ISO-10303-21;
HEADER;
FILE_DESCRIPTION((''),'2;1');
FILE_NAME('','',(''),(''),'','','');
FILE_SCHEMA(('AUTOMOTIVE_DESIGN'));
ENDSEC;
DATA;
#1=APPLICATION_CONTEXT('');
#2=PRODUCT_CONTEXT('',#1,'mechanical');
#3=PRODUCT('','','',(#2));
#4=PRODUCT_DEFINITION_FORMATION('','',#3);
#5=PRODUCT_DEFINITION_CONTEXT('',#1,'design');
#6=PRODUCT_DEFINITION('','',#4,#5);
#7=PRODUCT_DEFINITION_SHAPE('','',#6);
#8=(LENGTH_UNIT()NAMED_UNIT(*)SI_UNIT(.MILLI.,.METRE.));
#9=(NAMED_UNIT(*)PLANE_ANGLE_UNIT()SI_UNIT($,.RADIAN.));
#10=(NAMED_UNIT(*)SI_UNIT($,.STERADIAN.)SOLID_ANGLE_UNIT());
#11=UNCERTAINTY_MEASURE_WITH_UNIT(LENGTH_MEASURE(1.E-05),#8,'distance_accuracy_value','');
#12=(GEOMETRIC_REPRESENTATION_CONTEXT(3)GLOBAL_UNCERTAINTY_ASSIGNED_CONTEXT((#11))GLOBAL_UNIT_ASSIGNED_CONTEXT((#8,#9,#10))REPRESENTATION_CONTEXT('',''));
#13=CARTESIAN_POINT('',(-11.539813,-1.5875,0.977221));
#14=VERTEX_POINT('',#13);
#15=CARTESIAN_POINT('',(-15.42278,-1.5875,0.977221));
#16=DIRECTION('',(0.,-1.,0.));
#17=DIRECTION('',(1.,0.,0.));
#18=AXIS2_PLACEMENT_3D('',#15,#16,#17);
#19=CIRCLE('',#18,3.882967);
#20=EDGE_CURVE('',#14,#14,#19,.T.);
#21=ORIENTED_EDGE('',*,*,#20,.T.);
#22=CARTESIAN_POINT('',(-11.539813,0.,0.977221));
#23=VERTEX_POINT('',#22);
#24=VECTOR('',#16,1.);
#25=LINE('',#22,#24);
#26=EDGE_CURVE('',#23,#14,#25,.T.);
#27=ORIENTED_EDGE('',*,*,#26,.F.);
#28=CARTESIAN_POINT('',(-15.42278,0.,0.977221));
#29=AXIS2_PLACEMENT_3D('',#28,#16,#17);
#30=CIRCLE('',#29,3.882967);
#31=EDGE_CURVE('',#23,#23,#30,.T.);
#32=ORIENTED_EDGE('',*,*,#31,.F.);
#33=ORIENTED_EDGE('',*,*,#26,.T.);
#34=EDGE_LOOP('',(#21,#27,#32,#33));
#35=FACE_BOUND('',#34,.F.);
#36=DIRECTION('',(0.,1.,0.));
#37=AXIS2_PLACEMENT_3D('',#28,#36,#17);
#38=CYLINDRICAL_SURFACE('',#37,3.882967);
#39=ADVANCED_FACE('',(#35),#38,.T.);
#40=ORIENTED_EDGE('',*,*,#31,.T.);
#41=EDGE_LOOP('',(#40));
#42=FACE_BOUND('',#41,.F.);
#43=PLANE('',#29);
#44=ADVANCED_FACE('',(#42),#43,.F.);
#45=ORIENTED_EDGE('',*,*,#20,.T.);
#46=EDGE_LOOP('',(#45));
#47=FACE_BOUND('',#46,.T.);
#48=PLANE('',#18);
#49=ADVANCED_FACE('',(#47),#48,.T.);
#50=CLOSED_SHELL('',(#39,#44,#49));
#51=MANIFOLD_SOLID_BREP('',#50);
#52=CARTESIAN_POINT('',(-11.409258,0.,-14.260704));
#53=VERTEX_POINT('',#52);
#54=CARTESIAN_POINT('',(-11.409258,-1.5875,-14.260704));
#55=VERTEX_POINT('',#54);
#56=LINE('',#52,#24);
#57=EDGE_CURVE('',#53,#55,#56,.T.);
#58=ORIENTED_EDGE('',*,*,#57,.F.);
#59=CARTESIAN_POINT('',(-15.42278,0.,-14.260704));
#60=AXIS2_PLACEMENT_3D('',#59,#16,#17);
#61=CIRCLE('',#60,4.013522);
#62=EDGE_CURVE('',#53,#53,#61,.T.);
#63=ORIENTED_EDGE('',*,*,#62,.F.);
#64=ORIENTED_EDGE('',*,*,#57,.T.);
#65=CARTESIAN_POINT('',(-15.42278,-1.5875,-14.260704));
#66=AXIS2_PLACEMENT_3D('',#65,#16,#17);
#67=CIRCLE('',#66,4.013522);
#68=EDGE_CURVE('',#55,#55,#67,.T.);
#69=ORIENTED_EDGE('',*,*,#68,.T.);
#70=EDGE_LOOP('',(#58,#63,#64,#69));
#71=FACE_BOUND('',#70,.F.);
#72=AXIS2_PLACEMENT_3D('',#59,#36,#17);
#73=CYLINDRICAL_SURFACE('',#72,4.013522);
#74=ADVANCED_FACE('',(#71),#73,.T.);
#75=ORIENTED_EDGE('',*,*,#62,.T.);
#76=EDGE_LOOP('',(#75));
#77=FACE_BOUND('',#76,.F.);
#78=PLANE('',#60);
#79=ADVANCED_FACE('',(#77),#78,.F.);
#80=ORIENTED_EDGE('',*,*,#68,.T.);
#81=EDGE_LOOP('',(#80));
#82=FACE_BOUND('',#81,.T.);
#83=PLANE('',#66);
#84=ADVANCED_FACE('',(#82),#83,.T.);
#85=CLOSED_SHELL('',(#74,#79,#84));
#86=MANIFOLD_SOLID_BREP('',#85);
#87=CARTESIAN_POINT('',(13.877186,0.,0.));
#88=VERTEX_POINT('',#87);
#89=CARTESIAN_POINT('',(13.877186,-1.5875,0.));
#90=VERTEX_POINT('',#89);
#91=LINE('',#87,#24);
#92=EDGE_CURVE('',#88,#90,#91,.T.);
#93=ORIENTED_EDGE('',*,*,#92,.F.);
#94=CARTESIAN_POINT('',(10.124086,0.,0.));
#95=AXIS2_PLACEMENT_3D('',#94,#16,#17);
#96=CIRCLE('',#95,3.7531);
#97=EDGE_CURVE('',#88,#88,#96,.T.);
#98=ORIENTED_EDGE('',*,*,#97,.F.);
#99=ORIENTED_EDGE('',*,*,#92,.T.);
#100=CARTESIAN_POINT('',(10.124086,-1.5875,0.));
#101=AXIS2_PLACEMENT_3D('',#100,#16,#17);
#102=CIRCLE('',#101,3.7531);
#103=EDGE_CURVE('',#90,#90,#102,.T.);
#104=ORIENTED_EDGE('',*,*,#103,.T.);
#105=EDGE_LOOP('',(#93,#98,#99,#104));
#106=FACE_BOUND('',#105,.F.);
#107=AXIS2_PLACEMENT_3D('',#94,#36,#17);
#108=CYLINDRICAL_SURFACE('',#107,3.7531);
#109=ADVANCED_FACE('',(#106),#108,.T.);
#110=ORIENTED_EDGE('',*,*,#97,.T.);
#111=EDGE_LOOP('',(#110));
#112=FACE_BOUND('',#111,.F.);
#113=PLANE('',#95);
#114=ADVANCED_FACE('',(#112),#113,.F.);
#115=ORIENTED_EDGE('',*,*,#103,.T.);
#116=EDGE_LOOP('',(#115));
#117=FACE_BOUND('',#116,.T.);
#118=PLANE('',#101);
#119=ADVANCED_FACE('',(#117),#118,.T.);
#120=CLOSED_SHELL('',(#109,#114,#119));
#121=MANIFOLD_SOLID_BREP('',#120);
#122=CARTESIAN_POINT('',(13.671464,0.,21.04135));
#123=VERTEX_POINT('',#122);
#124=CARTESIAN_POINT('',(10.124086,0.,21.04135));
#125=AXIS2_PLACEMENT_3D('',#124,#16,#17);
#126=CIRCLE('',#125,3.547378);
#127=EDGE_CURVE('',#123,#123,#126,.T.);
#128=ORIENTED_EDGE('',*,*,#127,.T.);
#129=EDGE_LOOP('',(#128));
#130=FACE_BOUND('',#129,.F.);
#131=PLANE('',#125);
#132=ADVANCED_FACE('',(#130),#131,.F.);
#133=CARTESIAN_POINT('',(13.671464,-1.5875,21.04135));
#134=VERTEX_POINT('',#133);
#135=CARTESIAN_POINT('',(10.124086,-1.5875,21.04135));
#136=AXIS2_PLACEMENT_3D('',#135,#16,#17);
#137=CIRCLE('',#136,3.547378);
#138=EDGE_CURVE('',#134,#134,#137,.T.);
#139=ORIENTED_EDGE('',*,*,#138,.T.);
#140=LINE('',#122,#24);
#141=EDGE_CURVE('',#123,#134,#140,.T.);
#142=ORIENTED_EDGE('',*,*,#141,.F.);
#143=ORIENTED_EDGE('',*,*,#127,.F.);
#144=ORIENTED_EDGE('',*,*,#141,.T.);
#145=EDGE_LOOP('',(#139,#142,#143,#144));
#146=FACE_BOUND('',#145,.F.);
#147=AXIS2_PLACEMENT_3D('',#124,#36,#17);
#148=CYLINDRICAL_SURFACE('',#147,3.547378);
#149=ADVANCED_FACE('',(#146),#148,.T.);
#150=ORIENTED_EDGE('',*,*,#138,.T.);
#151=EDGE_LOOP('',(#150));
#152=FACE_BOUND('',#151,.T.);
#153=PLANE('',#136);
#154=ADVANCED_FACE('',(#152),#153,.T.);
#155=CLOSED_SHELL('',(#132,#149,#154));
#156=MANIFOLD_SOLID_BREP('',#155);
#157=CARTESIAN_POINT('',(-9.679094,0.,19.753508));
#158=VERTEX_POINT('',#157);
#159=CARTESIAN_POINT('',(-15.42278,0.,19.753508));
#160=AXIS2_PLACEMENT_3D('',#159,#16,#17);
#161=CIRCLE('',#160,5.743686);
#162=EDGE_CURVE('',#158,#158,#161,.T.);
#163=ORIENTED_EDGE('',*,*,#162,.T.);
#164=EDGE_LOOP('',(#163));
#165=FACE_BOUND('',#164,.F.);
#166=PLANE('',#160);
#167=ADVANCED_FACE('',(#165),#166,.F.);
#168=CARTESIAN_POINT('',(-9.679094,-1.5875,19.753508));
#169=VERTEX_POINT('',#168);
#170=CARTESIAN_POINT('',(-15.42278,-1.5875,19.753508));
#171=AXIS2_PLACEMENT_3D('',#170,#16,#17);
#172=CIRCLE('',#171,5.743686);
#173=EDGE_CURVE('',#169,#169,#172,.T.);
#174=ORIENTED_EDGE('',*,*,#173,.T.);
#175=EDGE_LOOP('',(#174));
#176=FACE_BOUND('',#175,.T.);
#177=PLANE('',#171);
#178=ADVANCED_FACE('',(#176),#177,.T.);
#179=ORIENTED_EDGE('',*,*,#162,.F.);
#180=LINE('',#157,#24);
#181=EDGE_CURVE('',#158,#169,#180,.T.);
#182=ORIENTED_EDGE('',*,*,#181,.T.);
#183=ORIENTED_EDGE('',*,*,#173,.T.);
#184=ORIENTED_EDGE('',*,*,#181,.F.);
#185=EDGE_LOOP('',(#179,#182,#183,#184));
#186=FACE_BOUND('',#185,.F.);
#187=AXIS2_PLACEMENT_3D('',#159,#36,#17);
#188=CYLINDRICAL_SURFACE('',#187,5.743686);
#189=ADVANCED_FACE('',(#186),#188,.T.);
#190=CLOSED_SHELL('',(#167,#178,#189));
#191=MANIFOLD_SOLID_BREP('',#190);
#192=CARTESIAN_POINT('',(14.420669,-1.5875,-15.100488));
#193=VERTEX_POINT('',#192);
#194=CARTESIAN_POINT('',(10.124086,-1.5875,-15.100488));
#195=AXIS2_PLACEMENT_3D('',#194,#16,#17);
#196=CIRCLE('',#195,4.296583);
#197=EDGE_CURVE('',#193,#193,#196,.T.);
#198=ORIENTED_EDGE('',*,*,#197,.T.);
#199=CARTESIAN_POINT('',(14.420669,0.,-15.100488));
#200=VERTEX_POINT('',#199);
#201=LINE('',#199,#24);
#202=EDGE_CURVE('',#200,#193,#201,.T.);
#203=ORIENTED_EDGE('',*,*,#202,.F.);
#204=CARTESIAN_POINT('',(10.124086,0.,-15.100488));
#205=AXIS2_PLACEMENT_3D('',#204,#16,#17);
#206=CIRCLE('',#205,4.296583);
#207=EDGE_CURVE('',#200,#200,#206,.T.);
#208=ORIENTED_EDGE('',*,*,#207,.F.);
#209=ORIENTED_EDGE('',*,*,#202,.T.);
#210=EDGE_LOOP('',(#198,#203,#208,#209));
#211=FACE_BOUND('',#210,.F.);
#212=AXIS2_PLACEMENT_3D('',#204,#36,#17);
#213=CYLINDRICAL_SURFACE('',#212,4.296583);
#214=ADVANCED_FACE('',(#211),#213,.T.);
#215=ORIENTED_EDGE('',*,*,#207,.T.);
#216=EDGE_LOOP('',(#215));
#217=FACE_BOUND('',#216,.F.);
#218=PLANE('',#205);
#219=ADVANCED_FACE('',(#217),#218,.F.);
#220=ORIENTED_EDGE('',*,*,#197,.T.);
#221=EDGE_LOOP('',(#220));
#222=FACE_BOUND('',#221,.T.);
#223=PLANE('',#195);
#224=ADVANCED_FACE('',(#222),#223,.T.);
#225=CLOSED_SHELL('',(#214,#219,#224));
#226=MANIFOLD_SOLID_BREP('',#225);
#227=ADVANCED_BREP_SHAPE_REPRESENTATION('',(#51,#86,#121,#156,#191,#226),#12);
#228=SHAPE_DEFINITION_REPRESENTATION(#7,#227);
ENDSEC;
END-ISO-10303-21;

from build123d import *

# Parameters (mm, degrees)
F0_R     = 5.743686
F0_R_2   = 3.882967
F0_R_3   = 4.013522
F0_R_4   = 3.547378
F0_R_5   = 3.7531
F0_R_6   = 4.296583
F1_DEPTH = 1.5875


with BuildPart() as f1:
    # F0 (on Front) → F1 (new body)
    with BuildSketch(Plane.XZ):
        with Locations((-15.42278, 19.753508)):
            Circle(F0_R)
        with Locations((-15.42278, 0.977221)):
            Circle(F0_R_2)
        with Locations((-15.42278, -14.260704)):
            Circle(F0_R_3)
        with Locations((10.124086, 21.04135)):
            Circle(F0_R_4)
        with Locations((10.124086, 0)):
            Circle(F0_R_5)
        with Locations((10.124086, -15.100488)):
            Circle(F0_R_6)
    extrude(amount=F1_DEPTH)


solid = f1.part
